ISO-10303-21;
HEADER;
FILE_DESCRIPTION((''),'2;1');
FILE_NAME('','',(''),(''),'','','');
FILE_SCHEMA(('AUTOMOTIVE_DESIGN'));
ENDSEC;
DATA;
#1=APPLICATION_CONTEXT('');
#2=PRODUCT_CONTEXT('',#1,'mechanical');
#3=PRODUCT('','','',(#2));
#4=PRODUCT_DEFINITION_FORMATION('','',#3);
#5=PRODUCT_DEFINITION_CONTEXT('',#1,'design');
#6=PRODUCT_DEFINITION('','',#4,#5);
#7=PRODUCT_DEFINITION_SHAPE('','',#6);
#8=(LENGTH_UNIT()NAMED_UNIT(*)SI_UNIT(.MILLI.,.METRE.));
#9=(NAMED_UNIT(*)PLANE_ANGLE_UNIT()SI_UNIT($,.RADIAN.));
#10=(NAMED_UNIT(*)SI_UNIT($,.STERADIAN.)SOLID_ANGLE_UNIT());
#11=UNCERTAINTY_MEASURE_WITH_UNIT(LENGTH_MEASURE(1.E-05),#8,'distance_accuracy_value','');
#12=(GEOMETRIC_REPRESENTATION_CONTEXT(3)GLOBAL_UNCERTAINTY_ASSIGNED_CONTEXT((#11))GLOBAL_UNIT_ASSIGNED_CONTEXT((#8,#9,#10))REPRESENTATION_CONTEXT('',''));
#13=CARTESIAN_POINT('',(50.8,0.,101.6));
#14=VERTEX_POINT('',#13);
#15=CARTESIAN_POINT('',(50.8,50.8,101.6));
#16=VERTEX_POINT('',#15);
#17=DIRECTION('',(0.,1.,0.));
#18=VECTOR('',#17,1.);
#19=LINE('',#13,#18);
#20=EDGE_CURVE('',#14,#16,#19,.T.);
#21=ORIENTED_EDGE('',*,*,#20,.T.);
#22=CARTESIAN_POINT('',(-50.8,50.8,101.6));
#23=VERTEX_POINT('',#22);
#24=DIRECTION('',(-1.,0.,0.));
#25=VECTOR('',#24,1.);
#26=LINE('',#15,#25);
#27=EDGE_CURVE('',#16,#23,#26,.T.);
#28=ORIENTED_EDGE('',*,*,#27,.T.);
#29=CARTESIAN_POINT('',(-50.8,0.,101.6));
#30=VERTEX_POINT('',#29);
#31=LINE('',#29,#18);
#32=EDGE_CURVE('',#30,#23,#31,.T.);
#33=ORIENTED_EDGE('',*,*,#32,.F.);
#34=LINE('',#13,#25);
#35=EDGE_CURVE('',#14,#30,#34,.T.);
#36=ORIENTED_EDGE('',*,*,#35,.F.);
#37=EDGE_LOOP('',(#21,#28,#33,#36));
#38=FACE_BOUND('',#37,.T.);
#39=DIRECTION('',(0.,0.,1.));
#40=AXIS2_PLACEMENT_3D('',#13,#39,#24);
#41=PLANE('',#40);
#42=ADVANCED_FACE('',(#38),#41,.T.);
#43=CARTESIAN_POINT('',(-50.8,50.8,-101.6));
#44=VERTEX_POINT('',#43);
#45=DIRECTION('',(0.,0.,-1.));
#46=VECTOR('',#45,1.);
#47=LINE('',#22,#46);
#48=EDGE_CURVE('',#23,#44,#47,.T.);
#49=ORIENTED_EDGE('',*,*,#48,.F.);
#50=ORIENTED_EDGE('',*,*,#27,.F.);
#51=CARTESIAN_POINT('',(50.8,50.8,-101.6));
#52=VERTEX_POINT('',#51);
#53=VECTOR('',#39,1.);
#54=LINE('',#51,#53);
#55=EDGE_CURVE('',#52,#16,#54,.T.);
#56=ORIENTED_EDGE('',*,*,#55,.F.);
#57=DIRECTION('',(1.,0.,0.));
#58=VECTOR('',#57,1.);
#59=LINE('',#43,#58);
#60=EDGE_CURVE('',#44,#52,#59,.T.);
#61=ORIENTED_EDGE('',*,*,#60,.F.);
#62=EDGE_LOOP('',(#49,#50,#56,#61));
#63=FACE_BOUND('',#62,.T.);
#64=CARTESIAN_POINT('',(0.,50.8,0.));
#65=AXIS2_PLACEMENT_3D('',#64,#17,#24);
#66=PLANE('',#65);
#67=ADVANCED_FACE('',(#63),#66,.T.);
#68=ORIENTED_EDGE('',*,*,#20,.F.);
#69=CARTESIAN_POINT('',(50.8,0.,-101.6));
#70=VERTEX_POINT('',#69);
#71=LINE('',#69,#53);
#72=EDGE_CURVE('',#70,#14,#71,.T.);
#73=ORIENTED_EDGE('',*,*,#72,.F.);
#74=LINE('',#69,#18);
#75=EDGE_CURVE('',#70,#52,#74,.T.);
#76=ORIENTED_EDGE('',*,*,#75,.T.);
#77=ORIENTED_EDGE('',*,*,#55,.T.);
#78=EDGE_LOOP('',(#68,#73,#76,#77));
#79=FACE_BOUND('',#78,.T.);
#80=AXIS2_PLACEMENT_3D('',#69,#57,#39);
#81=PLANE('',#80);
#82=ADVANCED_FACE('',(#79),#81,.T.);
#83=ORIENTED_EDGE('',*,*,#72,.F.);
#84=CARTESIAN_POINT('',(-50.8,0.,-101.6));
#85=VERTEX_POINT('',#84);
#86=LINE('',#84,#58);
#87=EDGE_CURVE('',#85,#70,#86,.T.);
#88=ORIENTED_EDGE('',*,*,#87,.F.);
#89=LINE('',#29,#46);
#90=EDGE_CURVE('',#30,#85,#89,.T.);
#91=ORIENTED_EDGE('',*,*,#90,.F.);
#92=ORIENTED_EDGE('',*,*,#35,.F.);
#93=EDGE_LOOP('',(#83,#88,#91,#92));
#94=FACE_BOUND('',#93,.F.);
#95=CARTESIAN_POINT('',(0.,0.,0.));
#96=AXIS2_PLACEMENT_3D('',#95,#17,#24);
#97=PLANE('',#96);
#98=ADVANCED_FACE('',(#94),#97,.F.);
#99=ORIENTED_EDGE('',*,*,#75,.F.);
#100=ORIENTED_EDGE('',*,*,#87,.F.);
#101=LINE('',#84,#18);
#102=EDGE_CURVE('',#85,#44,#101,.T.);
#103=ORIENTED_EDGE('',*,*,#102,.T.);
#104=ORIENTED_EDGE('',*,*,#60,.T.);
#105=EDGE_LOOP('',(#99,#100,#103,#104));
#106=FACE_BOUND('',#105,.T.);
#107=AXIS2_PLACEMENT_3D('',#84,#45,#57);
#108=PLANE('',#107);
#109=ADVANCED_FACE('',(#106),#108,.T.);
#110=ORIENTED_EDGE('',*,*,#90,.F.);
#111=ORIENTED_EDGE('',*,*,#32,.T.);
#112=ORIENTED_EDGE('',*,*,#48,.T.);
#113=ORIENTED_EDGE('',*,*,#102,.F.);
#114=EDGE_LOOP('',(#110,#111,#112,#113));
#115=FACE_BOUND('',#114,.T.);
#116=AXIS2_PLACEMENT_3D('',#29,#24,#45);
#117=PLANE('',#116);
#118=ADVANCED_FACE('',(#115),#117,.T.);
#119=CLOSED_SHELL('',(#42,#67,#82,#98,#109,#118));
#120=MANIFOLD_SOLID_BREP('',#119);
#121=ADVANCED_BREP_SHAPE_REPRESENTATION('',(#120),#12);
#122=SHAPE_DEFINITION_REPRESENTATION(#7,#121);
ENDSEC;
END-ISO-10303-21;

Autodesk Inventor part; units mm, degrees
ref_plane "YZ Plane" through (0, 0, 0) normal (1, 0, 0) x (0, 1, 0)
ref_plane "XZ Plane" through (0, 0, 0) normal (0, 1, 0) x (-1, 0, 0)
ref_plane "XY Plane" through (0, 0, 0) normal (0, 0, 1) x (1, 0, 0)
sketch "Sketch1" plane through (0, 0, 0) normal (0, 1, 0) x (-1, 0, 0)
  line L0 (-50.8, 101.6) -> (50.8, 101.6)
  line L1 (50.8, 101.6) -> (50.8, -101.6)
  line L2 (50.8, -101.6) -> (-50.8, -101.6)
  line L3 (-50.8, -101.6) -> (-50.8, 101.6)
  line L4 (-50.8, 101.6) -> (50.8, -101.6) construction
  line L5 (50.8, 101.6) -> (-50.8, -101.6) construction
  point P0 (0, 0)
  dimension "d0" = 101.6
  dimension "d1" = 203.2
extrude "Extrusion1" add sketch "Sketch1" along normal blind 50.8
properties part number "Styrofoam"
